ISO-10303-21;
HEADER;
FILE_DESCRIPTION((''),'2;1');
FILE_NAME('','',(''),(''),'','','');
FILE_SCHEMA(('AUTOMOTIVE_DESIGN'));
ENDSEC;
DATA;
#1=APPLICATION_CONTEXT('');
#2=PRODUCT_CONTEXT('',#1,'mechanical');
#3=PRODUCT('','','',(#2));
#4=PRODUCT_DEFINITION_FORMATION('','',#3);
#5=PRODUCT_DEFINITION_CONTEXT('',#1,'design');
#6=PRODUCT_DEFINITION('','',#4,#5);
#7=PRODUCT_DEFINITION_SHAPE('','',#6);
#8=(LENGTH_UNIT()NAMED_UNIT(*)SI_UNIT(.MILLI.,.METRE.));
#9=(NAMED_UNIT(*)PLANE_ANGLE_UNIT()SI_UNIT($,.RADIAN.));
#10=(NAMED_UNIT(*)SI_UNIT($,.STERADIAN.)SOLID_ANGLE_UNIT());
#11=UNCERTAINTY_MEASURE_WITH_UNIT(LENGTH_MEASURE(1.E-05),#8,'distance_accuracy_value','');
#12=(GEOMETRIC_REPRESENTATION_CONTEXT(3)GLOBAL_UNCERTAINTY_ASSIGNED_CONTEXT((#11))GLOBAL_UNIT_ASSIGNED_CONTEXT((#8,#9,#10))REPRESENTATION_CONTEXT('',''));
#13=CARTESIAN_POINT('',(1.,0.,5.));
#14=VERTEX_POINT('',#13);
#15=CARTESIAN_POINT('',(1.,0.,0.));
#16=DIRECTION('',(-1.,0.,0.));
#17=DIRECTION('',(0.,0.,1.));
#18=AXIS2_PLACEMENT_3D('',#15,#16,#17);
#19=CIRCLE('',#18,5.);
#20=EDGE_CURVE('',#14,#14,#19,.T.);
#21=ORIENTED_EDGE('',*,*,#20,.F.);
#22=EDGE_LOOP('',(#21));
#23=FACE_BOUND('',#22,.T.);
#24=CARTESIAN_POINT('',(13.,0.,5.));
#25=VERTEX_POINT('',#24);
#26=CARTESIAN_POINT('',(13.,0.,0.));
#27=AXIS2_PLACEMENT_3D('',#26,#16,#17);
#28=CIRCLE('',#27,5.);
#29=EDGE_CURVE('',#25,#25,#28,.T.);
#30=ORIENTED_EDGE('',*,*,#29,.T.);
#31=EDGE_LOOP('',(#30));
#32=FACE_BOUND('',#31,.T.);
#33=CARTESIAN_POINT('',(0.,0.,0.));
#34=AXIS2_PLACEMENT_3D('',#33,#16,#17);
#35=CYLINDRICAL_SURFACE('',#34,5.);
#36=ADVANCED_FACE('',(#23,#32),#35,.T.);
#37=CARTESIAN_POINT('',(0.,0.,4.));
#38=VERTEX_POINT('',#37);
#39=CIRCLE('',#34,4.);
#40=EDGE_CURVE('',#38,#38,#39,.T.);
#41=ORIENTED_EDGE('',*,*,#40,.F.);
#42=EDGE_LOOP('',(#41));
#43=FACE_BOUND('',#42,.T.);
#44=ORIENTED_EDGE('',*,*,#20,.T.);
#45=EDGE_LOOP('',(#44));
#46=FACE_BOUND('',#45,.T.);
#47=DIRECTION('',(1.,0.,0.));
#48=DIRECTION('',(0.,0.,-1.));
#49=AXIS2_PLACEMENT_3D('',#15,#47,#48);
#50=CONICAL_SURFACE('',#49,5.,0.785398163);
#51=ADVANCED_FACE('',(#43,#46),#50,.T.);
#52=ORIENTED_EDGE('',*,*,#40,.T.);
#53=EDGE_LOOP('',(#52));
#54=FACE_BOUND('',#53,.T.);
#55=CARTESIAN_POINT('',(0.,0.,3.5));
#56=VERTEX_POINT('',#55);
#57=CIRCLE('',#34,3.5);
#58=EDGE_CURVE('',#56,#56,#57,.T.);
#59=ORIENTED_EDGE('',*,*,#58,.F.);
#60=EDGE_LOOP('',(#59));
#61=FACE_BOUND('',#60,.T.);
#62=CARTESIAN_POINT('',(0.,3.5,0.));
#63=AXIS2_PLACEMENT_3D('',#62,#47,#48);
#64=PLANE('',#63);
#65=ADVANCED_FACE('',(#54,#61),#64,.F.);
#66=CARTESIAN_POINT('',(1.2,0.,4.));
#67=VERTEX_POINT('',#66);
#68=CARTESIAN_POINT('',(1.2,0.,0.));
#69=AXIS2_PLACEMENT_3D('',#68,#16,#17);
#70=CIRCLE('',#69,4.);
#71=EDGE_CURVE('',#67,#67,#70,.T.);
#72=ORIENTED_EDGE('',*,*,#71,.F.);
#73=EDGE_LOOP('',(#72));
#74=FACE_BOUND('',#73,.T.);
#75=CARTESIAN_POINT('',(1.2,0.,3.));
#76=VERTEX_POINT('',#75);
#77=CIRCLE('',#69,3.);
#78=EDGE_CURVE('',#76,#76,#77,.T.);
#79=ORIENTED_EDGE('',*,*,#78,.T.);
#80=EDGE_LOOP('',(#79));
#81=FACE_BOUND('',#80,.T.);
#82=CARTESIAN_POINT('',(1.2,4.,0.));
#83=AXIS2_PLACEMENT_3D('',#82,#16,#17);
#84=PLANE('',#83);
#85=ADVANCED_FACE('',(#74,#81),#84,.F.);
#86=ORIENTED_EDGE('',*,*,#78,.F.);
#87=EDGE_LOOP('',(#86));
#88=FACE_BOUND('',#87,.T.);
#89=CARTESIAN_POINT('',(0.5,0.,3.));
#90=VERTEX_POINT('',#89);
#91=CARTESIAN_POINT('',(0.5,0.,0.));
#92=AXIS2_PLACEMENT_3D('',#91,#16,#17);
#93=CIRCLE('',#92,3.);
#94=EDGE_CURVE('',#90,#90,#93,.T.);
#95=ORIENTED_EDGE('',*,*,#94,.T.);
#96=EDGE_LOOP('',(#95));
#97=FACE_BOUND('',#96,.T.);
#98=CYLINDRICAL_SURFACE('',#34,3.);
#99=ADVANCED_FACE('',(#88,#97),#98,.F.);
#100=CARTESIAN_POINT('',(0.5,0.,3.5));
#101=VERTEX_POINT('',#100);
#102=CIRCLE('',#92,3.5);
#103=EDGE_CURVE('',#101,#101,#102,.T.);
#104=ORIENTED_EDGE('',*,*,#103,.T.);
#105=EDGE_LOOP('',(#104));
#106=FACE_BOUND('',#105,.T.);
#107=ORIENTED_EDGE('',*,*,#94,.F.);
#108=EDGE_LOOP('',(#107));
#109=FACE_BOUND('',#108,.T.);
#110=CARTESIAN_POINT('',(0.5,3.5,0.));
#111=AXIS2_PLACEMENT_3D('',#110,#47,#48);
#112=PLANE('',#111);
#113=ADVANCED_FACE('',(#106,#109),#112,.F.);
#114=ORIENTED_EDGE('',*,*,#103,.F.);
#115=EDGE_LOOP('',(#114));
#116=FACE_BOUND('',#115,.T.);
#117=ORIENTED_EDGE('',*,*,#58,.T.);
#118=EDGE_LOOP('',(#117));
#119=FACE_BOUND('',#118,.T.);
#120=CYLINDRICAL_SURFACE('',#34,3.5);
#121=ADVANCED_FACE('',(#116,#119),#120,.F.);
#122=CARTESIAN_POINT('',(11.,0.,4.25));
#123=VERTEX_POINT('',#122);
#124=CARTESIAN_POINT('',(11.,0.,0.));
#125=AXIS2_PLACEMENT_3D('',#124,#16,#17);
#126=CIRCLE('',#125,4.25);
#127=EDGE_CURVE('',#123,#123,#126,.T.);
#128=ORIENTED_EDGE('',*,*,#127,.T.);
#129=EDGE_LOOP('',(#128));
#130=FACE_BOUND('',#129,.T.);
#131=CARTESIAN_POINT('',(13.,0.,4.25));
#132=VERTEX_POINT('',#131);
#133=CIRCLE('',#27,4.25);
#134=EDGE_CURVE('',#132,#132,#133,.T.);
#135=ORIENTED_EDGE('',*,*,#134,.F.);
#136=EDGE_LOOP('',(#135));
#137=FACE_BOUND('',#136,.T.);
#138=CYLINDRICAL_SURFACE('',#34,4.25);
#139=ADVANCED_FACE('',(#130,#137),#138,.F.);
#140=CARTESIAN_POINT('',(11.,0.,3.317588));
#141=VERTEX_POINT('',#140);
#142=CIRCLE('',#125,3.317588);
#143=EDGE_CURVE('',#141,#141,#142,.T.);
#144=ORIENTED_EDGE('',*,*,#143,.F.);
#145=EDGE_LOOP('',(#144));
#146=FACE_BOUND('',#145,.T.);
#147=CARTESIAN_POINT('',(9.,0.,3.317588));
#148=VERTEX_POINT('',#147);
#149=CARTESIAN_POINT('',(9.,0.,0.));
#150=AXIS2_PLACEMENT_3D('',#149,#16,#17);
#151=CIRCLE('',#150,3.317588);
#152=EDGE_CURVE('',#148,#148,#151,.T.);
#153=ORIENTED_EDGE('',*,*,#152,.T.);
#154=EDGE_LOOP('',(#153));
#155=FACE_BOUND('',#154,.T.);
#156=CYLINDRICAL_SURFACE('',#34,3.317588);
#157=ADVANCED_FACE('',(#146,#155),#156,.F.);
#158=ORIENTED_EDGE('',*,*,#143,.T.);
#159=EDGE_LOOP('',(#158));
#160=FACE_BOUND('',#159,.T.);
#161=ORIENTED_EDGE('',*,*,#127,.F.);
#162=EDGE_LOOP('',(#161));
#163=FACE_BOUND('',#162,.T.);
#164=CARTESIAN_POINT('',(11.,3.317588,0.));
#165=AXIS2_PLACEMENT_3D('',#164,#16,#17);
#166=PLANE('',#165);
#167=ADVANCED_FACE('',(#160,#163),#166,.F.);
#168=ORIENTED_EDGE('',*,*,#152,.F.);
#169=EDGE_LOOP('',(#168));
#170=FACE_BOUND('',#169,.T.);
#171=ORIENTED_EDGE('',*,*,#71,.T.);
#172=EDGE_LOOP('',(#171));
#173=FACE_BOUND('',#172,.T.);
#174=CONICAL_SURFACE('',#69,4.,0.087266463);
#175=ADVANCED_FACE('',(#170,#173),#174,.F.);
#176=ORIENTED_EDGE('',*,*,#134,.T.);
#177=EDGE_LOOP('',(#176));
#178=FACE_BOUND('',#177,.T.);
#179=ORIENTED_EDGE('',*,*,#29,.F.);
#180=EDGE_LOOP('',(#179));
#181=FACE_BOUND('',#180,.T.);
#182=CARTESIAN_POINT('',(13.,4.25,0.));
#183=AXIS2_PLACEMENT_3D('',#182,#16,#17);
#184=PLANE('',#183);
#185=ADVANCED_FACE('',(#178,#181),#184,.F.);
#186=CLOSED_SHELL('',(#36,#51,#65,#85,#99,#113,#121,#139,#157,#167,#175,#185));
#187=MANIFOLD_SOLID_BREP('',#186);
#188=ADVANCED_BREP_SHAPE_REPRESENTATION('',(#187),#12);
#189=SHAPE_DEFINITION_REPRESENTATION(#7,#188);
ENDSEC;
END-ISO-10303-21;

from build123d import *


with BuildPart() as part:
    # Sketch1 → Revolve1 (revolve)
    with BuildSketch(Plane.XY, mode=Mode.PRIVATE) as revolve1_sk:
        Polygon((1, 5), (13, 5), (13, 4.25), (11, 4.25), (11, 3.317588424), (9, 3.317588424), (1.2, 4), (1.2, 3), (0.5, 3), (0.5, 3.5), (0, 3.5), (0, 4), align=None)
    revolve(revolve1_sk.sketch.rotate(Axis((0, 0, 0), (1, 0, 0)), 90), axis=Axis((0, 0, 0), (1, 0, 0)))


solid = part.part
